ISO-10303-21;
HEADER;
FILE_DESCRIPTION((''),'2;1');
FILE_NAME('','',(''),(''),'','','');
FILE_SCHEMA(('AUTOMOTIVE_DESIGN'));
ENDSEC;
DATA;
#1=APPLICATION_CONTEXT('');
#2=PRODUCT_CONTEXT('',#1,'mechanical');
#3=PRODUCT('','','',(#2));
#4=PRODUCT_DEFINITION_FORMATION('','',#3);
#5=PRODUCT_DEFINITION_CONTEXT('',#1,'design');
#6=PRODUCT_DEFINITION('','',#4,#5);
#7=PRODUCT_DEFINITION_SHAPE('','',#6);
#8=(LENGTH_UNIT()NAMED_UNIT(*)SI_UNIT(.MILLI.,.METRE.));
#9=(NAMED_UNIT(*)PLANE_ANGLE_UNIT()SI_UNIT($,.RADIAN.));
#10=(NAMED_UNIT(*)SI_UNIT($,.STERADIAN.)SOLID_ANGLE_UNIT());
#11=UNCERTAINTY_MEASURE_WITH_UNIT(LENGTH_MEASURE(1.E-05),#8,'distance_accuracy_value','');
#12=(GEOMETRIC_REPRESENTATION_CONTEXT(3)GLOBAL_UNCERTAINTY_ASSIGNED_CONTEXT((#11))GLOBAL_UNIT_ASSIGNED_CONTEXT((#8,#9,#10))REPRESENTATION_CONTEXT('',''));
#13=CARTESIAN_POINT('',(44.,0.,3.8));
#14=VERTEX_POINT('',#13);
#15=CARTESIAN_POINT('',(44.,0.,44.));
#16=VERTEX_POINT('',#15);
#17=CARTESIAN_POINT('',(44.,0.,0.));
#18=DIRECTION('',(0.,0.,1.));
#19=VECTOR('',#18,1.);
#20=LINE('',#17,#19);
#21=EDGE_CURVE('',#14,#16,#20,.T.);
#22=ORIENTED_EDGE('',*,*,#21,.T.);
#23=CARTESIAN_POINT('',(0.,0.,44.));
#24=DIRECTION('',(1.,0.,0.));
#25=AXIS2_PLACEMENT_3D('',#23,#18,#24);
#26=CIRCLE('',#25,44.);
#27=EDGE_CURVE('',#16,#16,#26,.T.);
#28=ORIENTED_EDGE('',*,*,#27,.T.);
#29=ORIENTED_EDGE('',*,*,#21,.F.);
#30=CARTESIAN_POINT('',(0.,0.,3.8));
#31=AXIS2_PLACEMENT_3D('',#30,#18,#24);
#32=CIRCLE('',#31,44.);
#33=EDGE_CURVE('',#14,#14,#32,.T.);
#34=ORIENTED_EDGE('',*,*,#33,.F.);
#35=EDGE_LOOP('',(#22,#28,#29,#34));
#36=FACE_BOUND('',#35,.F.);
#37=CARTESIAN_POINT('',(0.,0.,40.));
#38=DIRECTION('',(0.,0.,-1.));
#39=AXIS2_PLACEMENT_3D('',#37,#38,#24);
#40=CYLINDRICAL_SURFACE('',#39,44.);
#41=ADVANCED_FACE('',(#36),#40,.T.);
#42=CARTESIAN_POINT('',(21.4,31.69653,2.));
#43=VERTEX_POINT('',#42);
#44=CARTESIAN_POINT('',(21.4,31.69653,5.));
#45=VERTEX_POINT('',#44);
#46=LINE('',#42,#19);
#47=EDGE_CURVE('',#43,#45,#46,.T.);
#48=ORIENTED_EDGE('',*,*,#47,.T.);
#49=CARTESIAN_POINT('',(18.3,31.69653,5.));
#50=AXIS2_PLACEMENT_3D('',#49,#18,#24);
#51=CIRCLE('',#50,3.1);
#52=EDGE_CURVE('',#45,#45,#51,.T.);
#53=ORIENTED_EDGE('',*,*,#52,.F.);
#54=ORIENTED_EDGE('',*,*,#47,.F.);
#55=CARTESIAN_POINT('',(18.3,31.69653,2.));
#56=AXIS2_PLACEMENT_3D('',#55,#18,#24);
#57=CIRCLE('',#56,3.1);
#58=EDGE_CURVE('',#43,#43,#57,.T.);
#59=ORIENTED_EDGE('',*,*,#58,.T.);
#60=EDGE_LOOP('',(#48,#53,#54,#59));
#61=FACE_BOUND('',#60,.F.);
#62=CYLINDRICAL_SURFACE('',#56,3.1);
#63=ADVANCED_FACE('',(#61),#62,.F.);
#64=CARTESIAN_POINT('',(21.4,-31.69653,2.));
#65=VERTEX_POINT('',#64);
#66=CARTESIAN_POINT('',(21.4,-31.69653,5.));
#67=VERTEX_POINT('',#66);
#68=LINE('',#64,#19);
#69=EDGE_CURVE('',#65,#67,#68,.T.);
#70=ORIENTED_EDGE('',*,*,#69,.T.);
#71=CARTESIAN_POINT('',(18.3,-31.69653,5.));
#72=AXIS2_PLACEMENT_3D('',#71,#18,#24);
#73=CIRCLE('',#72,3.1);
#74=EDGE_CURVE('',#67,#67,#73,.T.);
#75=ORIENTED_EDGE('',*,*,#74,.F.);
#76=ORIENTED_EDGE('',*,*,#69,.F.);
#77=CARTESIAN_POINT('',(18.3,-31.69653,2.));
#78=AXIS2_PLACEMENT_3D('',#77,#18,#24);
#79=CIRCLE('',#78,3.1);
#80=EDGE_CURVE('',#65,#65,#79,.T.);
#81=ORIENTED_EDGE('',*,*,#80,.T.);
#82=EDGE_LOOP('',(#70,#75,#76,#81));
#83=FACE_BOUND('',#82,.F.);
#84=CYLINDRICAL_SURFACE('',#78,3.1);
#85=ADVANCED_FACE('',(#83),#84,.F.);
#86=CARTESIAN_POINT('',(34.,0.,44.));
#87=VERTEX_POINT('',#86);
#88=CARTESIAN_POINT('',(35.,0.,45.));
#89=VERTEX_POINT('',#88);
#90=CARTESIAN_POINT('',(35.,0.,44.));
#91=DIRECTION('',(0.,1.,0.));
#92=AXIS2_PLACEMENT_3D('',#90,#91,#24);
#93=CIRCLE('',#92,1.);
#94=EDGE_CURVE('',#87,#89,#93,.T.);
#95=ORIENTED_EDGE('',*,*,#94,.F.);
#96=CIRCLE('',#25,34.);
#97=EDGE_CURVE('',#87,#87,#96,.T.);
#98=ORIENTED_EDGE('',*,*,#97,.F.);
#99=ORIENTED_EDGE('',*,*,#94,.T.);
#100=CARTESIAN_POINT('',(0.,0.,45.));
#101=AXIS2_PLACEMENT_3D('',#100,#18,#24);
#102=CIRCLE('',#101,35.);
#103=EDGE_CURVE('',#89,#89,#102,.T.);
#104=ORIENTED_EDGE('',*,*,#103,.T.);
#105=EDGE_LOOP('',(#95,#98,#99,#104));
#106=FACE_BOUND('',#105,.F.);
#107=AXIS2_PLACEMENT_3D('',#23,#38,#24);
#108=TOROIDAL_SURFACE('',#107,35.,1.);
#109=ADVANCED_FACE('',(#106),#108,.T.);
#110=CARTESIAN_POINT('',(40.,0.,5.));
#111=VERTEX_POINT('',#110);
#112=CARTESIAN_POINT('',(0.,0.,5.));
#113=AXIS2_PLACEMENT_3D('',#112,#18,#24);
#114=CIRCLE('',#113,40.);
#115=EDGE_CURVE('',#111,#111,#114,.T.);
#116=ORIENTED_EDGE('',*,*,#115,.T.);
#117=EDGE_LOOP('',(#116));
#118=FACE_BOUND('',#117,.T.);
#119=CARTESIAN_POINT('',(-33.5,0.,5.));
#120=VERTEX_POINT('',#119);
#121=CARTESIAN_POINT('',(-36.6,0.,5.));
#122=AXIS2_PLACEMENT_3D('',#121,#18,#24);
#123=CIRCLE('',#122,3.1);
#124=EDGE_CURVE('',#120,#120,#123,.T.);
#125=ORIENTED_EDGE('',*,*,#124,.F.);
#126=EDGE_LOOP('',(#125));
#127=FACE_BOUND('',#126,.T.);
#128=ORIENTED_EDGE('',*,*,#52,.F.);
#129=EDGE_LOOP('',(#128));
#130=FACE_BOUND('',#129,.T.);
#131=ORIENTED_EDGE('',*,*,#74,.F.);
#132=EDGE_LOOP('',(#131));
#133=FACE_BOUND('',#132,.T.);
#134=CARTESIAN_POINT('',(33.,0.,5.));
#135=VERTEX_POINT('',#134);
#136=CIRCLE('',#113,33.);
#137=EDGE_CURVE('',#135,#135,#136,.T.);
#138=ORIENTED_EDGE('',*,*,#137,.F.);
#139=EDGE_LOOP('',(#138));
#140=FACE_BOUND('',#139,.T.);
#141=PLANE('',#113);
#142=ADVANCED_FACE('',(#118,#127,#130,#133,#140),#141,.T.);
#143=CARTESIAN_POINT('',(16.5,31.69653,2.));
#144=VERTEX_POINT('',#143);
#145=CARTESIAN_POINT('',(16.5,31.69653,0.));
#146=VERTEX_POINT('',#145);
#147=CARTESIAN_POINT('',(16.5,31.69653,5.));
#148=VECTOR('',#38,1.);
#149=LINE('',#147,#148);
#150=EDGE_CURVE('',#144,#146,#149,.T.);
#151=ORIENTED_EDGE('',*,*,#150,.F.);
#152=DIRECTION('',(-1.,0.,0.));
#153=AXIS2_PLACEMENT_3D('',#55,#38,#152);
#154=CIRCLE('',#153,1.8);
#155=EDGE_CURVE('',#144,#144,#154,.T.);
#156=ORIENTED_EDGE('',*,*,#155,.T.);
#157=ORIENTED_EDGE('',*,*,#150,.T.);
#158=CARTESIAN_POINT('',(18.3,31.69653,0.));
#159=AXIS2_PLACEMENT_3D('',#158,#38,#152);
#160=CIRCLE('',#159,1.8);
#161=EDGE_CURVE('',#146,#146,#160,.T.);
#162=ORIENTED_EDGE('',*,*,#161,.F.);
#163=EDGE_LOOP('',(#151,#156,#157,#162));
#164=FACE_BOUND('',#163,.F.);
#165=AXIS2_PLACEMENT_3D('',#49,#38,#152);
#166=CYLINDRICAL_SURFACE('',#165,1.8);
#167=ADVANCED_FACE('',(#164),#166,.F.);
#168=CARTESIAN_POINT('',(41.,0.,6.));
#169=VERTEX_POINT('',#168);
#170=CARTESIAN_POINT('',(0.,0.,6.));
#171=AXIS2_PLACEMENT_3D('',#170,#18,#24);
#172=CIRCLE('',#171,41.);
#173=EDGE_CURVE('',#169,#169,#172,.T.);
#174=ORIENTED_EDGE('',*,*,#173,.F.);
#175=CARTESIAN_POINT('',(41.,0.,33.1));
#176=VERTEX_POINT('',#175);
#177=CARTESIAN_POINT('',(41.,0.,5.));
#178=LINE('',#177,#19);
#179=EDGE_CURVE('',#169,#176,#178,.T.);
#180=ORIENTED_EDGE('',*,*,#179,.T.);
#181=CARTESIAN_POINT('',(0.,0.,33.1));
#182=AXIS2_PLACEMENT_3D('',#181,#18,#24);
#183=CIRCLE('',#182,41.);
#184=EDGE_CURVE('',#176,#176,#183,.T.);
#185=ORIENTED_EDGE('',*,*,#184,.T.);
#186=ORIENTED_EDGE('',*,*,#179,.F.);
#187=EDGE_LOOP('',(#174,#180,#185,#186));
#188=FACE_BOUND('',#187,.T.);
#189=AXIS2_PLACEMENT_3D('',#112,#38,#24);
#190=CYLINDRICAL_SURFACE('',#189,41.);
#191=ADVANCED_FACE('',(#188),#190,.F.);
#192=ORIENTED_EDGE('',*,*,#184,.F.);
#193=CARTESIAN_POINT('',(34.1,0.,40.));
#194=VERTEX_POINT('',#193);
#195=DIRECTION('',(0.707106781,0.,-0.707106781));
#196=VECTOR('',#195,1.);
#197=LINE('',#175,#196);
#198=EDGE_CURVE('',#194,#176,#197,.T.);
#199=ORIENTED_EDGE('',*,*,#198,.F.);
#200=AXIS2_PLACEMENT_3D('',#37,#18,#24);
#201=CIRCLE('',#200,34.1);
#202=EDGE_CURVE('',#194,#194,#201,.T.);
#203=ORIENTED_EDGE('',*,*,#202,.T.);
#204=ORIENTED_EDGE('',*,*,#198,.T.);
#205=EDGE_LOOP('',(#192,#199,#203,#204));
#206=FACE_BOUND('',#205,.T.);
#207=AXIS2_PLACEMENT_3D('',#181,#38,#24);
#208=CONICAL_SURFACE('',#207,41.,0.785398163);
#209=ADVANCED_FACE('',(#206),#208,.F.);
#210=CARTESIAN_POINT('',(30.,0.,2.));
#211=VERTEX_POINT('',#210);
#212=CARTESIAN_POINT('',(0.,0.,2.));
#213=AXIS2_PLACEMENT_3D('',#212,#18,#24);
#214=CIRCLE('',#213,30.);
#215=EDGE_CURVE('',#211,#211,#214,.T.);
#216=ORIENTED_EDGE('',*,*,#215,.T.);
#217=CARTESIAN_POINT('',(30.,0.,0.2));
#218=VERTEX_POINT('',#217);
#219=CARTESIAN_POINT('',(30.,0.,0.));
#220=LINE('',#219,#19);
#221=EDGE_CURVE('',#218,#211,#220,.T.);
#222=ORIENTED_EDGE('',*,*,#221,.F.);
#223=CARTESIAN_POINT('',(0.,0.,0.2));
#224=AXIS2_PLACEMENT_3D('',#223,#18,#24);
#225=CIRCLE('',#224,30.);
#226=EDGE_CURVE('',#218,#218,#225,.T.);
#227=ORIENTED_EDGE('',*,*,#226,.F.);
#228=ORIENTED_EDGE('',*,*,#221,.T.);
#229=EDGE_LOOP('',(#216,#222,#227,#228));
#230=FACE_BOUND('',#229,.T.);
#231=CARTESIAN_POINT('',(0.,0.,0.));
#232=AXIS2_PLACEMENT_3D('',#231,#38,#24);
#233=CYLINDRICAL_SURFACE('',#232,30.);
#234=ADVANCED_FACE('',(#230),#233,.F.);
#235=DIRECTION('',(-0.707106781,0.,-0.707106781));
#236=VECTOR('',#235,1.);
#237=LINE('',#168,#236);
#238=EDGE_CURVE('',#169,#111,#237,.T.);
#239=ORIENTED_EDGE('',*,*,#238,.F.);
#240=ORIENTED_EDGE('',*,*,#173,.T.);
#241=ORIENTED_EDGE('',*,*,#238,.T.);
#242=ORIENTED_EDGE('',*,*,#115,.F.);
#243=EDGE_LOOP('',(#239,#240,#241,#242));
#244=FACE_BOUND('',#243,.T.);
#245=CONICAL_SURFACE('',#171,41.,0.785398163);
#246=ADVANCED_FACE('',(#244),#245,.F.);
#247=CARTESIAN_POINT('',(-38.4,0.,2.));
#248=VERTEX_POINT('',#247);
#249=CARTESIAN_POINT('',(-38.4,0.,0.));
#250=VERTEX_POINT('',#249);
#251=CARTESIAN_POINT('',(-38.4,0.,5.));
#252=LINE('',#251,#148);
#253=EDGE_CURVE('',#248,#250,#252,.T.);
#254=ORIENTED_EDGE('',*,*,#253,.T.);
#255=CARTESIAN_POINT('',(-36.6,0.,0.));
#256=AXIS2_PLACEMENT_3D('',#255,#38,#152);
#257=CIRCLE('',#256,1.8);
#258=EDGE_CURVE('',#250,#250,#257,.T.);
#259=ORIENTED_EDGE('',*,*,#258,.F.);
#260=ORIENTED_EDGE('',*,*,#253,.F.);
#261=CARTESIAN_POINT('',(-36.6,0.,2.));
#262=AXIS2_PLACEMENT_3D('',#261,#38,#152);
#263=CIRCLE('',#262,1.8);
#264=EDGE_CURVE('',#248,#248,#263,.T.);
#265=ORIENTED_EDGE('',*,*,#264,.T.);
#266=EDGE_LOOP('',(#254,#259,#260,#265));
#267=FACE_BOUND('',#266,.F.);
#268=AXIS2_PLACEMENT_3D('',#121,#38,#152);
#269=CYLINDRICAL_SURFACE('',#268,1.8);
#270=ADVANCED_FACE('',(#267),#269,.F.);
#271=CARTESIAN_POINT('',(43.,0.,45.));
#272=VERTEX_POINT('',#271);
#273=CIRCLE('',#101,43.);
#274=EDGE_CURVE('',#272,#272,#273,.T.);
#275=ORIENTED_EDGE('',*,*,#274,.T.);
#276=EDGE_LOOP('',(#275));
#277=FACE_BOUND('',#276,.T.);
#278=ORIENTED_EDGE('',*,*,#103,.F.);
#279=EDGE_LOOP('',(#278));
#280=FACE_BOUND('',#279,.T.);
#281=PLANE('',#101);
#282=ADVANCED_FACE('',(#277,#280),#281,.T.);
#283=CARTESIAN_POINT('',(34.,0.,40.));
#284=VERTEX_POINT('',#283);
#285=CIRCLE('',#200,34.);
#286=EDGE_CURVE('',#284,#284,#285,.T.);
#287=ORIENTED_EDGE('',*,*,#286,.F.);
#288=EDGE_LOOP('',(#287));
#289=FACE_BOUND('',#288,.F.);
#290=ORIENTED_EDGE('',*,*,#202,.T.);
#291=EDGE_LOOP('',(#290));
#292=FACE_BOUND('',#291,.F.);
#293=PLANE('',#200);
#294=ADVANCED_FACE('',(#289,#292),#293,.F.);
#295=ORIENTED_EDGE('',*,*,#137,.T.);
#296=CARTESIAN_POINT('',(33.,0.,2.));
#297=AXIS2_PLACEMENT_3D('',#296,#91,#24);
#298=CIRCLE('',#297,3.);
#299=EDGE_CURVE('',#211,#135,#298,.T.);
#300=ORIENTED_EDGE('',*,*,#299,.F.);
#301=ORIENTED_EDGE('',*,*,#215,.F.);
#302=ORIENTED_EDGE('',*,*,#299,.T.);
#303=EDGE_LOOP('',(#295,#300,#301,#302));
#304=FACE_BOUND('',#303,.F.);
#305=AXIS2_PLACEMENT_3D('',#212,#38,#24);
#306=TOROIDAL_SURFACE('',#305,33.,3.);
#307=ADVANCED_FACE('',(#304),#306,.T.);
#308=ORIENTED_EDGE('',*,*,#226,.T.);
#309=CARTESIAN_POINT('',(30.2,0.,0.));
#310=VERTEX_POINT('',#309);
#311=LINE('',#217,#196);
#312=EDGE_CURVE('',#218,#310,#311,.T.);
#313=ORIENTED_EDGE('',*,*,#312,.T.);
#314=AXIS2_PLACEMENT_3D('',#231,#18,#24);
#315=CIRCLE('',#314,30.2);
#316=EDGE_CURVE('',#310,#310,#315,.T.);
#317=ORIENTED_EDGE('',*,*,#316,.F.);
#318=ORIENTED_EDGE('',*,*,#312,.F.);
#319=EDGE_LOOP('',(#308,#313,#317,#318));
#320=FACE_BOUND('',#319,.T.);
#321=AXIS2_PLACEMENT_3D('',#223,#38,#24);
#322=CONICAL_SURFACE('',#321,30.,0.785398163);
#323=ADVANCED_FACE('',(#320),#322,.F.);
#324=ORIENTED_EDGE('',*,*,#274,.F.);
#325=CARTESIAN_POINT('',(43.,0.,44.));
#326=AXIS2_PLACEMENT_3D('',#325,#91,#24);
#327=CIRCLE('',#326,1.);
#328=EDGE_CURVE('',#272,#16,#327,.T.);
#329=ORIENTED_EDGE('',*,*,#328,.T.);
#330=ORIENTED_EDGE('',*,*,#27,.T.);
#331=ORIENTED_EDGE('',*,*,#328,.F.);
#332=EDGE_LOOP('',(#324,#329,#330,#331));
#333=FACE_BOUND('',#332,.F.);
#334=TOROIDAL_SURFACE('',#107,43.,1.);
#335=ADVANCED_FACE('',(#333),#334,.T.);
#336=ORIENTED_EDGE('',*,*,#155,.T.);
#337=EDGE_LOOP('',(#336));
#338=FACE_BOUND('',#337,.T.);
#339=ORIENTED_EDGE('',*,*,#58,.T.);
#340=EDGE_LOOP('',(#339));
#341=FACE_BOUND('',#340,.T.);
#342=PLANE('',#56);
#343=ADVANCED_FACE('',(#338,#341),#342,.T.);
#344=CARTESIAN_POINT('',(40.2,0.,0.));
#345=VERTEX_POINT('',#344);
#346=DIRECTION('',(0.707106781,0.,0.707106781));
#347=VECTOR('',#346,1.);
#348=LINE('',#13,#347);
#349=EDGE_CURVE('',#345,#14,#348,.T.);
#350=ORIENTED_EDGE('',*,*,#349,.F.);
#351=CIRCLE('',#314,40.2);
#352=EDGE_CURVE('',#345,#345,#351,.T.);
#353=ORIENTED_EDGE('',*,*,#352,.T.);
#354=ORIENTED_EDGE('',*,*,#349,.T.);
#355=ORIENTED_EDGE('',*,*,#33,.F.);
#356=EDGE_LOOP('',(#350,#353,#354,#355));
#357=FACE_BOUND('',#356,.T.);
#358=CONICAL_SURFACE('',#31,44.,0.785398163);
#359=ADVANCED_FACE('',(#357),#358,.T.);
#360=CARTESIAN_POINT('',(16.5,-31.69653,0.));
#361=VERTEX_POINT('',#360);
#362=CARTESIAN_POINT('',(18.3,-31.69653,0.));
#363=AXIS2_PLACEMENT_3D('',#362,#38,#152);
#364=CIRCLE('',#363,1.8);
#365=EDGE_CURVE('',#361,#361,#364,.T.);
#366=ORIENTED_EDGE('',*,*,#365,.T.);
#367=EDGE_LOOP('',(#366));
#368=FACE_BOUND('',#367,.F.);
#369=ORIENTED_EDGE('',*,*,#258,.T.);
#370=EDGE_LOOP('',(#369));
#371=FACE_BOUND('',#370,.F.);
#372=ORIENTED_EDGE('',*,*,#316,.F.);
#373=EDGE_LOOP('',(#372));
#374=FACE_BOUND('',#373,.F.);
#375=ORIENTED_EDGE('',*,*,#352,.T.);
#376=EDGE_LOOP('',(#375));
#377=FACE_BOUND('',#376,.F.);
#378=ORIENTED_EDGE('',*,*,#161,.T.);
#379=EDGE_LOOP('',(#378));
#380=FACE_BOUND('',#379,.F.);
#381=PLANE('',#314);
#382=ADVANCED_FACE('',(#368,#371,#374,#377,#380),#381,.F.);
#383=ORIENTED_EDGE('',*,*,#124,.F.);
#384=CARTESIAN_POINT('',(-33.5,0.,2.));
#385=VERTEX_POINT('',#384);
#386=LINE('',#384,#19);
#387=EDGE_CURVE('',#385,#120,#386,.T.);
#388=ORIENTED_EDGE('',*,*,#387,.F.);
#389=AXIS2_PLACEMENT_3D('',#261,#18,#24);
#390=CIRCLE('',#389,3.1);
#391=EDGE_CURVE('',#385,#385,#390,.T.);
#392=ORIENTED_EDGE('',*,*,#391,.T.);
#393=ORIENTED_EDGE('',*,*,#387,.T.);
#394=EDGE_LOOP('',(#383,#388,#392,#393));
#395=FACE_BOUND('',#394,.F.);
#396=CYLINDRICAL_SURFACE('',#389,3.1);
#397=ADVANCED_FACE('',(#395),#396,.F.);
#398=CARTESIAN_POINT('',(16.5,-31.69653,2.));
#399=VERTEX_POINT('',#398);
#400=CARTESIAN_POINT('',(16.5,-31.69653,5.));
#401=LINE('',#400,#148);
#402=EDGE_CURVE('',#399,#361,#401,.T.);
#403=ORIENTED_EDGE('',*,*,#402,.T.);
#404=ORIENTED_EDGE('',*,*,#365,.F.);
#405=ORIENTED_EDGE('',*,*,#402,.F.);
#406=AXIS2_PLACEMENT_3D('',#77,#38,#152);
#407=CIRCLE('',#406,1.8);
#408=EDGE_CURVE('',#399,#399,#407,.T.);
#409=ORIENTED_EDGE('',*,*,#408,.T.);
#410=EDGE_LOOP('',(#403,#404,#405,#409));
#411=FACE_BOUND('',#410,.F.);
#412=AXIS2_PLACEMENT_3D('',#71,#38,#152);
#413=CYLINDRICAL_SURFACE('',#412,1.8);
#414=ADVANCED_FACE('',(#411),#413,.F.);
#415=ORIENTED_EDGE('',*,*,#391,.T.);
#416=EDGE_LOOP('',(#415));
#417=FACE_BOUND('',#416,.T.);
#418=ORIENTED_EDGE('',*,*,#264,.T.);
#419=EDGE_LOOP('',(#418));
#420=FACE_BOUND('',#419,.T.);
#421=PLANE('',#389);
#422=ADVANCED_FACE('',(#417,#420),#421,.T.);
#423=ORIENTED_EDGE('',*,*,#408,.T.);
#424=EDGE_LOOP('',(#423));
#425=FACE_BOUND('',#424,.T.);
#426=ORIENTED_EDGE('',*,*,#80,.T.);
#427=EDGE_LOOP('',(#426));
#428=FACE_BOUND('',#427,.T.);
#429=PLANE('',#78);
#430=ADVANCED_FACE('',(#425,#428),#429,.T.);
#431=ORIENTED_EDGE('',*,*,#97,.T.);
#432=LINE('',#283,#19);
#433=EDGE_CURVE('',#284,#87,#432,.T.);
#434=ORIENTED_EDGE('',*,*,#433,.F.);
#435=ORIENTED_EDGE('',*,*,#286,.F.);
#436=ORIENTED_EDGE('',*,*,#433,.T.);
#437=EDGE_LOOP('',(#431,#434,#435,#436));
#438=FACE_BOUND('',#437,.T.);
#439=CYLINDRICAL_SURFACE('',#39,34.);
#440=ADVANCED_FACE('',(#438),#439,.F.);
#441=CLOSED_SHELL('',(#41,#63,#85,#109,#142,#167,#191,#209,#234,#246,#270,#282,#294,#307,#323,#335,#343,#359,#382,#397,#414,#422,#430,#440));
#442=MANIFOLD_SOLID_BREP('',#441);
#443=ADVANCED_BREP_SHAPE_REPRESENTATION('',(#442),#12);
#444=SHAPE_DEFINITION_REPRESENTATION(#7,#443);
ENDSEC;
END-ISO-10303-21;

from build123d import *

# Parameters (mm, degrees)
SKETCH_R         = 44
SKETCH_R_2       = 30
PAD_DEPTH        = 5
SKETCH001_R      = 44
SKETCH001_R_2    = 41
PAD001_DEPTH     = 35
SKETCH002_R      = 44
SKETCH002_R_2    = 34
PAD002_DEPTH     = 5
HOLE_D           = 3.6
HOLE_DEPTH       = 5
HOLE_CBORE_D     = 6.2
HOLE_CBORE_DEPTH = 3
CHAMFER_SIZE     = 6.9
FILLET_R         = 1
CHAMFER001_SIZE  = 1
CHAMFER002_SIZE  = 3.8
FILLET001_R      = 3
CHAMFER003_SIZE  = 0.2


with BuildPart() as part:
    # Sketch → Pad (new body)
    with BuildSketch(Plane.XY):
        Circle(SKETCH_R)
        Circle(SKETCH_R_2, mode=Mode.SUBTRACT)
    extrude(amount=PAD_DEPTH)

    # Sketch001 (on DatumPlane) → Pad001 (join)
    with BuildSketch(Plane.XY.offset(5)):
        Circle(SKETCH001_R)
        Circle(SKETCH001_R_2, mode=Mode.SUBTRACT)
    extrude(amount=PAD001_DEPTH)

    # Sketch002 (on DatumPlane) → Pad002 (join)
    with BuildSketch(Plane.XY.offset(40)):
        Circle(SKETCH002_R)
        Circle(SKETCH002_R_2, mode=Mode.SUBTRACT)
    extrude(amount=PAD002_DEPTH)

    # Hole
    with Locations(Plane.XY.offset(5)):
        with Locations((-36.6, 0), (18.3, 31.69653), (18.3, -31.69653)):
            CounterBoreHole(HOLE_D / 2, HOLE_CBORE_D / 2, HOLE_CBORE_DEPTH, depth=HOLE_DEPTH)

    # Chamfer
    chamfer_edges = [part.edges().sort_by_distance(p)[0] for p in [
        (-41, 0, 40),
    ]]
    chamfer(chamfer_edges, length=CHAMFER_SIZE)

    # Fillet
    fillet_edges = [part.edges().sort_by_distance(p)[0] for p in [
        (-34, 0, 45),
        (-44, 0, 45),
    ]]
    fillet(fillet_edges, radius=FILLET_R)

    # Chamfer001
    chamfer001_edges = [part.edges().sort_by_distance(p)[0] for p in [
        (-41, 0, 5),
    ]]
    chamfer(chamfer001_edges, length=CHAMFER001_SIZE)

    # Chamfer002
    chamfer002_edges = [part.edges().sort_by_distance(p)[0] for p in [
        (-44, 0, 0),
    ]]
    chamfer(chamfer002_edges, length=CHAMFER002_SIZE)

    # Fillet001
    fillet001_edges = [part.edges().sort_by_distance(p)[0] for p in [
        (-30, 0, 5),
    ]]
    fillet(fillet001_edges, radius=FILLET001_R)

    # Chamfer003
    chamfer003_edges = [part.edges().sort_by_distance(p)[0] for p in [
        (-30, 0, 0),
    ]]
    chamfer(chamfer003_edges, length=CHAMFER003_SIZE)


solid = part.part
